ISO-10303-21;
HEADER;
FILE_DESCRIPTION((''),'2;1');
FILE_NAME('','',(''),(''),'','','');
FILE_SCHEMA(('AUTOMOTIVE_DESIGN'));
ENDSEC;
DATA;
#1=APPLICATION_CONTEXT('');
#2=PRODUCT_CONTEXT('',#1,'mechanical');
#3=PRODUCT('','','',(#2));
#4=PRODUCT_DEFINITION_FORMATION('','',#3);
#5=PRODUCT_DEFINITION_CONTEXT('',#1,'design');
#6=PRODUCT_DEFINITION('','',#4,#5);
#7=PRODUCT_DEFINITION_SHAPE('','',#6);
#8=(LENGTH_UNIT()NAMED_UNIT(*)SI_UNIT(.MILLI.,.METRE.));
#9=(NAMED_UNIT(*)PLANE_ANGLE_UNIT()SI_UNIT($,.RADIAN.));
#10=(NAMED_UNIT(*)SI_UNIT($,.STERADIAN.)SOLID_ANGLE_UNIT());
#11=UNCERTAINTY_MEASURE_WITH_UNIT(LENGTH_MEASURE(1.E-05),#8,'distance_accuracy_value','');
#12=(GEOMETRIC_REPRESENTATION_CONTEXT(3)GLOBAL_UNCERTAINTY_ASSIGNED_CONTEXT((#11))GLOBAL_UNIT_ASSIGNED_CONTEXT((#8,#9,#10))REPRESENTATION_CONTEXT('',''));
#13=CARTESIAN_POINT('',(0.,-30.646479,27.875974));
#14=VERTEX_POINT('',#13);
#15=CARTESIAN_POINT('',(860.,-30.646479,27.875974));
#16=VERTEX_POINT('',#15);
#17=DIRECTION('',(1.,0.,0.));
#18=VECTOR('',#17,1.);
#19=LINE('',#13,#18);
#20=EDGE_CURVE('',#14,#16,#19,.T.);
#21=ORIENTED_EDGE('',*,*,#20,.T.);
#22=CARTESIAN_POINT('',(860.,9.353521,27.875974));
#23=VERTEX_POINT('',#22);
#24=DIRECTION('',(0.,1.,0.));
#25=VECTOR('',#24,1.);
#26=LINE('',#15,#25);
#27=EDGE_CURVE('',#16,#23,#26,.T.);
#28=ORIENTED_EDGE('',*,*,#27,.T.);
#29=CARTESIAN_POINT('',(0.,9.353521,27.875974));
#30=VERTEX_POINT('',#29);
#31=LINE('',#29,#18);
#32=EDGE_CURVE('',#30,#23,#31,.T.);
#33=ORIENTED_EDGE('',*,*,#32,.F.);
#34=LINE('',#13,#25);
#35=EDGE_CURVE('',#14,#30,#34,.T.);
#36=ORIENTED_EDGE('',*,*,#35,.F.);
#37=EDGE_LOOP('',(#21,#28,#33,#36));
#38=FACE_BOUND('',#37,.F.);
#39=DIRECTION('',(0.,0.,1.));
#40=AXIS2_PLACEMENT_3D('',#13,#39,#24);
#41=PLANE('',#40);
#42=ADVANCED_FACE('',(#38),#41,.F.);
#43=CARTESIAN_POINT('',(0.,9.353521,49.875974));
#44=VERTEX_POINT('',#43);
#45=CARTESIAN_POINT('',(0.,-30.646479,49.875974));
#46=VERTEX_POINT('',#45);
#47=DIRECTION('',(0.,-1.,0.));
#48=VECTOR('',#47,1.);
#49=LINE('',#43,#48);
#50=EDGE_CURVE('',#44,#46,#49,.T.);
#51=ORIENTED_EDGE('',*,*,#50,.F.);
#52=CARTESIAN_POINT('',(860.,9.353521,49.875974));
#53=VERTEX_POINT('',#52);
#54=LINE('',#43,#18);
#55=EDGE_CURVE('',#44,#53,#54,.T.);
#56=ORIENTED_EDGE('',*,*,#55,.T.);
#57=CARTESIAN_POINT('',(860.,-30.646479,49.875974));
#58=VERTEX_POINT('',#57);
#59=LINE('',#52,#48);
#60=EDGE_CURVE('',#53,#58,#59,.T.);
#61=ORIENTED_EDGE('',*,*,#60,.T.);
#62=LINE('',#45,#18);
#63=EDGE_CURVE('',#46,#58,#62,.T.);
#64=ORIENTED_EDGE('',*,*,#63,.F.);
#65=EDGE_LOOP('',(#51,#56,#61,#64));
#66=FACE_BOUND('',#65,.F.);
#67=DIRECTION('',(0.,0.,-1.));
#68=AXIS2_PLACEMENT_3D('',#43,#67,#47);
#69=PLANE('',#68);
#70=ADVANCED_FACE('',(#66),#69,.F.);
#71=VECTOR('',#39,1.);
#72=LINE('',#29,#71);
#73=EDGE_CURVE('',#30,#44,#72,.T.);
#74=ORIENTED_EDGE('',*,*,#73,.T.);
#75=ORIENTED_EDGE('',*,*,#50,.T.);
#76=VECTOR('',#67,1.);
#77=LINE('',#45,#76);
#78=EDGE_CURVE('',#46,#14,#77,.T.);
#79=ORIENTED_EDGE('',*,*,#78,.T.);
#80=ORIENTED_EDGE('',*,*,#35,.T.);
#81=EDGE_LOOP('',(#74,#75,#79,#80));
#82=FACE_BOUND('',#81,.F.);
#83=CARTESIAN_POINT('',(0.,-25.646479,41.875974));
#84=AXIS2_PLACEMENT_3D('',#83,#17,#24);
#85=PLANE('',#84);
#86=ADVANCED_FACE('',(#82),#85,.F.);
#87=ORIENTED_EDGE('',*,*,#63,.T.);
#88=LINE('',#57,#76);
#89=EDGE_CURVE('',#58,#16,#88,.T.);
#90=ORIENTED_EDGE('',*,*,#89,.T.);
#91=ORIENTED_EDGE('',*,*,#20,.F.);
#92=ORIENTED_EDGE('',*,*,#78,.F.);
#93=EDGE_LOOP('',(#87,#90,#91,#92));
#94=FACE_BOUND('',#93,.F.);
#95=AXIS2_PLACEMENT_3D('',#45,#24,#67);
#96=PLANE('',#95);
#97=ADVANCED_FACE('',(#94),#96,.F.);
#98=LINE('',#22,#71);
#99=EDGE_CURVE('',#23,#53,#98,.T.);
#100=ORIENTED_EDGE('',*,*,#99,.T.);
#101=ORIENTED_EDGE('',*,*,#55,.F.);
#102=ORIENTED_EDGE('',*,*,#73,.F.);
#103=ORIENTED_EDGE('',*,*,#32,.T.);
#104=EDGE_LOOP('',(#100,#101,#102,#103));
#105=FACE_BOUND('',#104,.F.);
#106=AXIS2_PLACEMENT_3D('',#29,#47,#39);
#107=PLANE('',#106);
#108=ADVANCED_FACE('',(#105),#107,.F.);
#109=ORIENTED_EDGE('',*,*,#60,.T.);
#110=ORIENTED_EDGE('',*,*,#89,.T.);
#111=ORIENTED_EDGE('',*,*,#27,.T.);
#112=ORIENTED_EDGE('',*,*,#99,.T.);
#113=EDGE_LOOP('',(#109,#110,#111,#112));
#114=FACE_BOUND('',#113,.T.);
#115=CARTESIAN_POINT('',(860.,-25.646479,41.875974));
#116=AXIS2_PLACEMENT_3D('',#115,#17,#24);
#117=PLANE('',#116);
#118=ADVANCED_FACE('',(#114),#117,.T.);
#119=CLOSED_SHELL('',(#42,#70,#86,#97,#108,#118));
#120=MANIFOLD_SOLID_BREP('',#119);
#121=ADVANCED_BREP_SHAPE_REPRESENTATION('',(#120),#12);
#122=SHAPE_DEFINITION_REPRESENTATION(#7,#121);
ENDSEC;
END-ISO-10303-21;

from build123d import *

# Parameters (mm, degrees)
F0_W     = 10
F0_H     = 8
F1_DEPTH = 860


with BuildPart() as f1:
    # F0 (on Right) → F1 (new body)
    with BuildSketch(Plane.YZ):
        with Locations((-25.646479, 41.875974)):
            Rectangle(F0_W, F0_H)
        Polygon((9.353521, 49.875974), (-30.646479, 49.875974), (-30.646479, 45.875974), (-20.646479, 45.875974), (-20.646479, 37.875974), (-30.646479, 37.875974), (-30.646479, 27.875974), (9.353521, 27.875974), align=None)
    extrude(amount=F1_DEPTH)


solid = f1.part
